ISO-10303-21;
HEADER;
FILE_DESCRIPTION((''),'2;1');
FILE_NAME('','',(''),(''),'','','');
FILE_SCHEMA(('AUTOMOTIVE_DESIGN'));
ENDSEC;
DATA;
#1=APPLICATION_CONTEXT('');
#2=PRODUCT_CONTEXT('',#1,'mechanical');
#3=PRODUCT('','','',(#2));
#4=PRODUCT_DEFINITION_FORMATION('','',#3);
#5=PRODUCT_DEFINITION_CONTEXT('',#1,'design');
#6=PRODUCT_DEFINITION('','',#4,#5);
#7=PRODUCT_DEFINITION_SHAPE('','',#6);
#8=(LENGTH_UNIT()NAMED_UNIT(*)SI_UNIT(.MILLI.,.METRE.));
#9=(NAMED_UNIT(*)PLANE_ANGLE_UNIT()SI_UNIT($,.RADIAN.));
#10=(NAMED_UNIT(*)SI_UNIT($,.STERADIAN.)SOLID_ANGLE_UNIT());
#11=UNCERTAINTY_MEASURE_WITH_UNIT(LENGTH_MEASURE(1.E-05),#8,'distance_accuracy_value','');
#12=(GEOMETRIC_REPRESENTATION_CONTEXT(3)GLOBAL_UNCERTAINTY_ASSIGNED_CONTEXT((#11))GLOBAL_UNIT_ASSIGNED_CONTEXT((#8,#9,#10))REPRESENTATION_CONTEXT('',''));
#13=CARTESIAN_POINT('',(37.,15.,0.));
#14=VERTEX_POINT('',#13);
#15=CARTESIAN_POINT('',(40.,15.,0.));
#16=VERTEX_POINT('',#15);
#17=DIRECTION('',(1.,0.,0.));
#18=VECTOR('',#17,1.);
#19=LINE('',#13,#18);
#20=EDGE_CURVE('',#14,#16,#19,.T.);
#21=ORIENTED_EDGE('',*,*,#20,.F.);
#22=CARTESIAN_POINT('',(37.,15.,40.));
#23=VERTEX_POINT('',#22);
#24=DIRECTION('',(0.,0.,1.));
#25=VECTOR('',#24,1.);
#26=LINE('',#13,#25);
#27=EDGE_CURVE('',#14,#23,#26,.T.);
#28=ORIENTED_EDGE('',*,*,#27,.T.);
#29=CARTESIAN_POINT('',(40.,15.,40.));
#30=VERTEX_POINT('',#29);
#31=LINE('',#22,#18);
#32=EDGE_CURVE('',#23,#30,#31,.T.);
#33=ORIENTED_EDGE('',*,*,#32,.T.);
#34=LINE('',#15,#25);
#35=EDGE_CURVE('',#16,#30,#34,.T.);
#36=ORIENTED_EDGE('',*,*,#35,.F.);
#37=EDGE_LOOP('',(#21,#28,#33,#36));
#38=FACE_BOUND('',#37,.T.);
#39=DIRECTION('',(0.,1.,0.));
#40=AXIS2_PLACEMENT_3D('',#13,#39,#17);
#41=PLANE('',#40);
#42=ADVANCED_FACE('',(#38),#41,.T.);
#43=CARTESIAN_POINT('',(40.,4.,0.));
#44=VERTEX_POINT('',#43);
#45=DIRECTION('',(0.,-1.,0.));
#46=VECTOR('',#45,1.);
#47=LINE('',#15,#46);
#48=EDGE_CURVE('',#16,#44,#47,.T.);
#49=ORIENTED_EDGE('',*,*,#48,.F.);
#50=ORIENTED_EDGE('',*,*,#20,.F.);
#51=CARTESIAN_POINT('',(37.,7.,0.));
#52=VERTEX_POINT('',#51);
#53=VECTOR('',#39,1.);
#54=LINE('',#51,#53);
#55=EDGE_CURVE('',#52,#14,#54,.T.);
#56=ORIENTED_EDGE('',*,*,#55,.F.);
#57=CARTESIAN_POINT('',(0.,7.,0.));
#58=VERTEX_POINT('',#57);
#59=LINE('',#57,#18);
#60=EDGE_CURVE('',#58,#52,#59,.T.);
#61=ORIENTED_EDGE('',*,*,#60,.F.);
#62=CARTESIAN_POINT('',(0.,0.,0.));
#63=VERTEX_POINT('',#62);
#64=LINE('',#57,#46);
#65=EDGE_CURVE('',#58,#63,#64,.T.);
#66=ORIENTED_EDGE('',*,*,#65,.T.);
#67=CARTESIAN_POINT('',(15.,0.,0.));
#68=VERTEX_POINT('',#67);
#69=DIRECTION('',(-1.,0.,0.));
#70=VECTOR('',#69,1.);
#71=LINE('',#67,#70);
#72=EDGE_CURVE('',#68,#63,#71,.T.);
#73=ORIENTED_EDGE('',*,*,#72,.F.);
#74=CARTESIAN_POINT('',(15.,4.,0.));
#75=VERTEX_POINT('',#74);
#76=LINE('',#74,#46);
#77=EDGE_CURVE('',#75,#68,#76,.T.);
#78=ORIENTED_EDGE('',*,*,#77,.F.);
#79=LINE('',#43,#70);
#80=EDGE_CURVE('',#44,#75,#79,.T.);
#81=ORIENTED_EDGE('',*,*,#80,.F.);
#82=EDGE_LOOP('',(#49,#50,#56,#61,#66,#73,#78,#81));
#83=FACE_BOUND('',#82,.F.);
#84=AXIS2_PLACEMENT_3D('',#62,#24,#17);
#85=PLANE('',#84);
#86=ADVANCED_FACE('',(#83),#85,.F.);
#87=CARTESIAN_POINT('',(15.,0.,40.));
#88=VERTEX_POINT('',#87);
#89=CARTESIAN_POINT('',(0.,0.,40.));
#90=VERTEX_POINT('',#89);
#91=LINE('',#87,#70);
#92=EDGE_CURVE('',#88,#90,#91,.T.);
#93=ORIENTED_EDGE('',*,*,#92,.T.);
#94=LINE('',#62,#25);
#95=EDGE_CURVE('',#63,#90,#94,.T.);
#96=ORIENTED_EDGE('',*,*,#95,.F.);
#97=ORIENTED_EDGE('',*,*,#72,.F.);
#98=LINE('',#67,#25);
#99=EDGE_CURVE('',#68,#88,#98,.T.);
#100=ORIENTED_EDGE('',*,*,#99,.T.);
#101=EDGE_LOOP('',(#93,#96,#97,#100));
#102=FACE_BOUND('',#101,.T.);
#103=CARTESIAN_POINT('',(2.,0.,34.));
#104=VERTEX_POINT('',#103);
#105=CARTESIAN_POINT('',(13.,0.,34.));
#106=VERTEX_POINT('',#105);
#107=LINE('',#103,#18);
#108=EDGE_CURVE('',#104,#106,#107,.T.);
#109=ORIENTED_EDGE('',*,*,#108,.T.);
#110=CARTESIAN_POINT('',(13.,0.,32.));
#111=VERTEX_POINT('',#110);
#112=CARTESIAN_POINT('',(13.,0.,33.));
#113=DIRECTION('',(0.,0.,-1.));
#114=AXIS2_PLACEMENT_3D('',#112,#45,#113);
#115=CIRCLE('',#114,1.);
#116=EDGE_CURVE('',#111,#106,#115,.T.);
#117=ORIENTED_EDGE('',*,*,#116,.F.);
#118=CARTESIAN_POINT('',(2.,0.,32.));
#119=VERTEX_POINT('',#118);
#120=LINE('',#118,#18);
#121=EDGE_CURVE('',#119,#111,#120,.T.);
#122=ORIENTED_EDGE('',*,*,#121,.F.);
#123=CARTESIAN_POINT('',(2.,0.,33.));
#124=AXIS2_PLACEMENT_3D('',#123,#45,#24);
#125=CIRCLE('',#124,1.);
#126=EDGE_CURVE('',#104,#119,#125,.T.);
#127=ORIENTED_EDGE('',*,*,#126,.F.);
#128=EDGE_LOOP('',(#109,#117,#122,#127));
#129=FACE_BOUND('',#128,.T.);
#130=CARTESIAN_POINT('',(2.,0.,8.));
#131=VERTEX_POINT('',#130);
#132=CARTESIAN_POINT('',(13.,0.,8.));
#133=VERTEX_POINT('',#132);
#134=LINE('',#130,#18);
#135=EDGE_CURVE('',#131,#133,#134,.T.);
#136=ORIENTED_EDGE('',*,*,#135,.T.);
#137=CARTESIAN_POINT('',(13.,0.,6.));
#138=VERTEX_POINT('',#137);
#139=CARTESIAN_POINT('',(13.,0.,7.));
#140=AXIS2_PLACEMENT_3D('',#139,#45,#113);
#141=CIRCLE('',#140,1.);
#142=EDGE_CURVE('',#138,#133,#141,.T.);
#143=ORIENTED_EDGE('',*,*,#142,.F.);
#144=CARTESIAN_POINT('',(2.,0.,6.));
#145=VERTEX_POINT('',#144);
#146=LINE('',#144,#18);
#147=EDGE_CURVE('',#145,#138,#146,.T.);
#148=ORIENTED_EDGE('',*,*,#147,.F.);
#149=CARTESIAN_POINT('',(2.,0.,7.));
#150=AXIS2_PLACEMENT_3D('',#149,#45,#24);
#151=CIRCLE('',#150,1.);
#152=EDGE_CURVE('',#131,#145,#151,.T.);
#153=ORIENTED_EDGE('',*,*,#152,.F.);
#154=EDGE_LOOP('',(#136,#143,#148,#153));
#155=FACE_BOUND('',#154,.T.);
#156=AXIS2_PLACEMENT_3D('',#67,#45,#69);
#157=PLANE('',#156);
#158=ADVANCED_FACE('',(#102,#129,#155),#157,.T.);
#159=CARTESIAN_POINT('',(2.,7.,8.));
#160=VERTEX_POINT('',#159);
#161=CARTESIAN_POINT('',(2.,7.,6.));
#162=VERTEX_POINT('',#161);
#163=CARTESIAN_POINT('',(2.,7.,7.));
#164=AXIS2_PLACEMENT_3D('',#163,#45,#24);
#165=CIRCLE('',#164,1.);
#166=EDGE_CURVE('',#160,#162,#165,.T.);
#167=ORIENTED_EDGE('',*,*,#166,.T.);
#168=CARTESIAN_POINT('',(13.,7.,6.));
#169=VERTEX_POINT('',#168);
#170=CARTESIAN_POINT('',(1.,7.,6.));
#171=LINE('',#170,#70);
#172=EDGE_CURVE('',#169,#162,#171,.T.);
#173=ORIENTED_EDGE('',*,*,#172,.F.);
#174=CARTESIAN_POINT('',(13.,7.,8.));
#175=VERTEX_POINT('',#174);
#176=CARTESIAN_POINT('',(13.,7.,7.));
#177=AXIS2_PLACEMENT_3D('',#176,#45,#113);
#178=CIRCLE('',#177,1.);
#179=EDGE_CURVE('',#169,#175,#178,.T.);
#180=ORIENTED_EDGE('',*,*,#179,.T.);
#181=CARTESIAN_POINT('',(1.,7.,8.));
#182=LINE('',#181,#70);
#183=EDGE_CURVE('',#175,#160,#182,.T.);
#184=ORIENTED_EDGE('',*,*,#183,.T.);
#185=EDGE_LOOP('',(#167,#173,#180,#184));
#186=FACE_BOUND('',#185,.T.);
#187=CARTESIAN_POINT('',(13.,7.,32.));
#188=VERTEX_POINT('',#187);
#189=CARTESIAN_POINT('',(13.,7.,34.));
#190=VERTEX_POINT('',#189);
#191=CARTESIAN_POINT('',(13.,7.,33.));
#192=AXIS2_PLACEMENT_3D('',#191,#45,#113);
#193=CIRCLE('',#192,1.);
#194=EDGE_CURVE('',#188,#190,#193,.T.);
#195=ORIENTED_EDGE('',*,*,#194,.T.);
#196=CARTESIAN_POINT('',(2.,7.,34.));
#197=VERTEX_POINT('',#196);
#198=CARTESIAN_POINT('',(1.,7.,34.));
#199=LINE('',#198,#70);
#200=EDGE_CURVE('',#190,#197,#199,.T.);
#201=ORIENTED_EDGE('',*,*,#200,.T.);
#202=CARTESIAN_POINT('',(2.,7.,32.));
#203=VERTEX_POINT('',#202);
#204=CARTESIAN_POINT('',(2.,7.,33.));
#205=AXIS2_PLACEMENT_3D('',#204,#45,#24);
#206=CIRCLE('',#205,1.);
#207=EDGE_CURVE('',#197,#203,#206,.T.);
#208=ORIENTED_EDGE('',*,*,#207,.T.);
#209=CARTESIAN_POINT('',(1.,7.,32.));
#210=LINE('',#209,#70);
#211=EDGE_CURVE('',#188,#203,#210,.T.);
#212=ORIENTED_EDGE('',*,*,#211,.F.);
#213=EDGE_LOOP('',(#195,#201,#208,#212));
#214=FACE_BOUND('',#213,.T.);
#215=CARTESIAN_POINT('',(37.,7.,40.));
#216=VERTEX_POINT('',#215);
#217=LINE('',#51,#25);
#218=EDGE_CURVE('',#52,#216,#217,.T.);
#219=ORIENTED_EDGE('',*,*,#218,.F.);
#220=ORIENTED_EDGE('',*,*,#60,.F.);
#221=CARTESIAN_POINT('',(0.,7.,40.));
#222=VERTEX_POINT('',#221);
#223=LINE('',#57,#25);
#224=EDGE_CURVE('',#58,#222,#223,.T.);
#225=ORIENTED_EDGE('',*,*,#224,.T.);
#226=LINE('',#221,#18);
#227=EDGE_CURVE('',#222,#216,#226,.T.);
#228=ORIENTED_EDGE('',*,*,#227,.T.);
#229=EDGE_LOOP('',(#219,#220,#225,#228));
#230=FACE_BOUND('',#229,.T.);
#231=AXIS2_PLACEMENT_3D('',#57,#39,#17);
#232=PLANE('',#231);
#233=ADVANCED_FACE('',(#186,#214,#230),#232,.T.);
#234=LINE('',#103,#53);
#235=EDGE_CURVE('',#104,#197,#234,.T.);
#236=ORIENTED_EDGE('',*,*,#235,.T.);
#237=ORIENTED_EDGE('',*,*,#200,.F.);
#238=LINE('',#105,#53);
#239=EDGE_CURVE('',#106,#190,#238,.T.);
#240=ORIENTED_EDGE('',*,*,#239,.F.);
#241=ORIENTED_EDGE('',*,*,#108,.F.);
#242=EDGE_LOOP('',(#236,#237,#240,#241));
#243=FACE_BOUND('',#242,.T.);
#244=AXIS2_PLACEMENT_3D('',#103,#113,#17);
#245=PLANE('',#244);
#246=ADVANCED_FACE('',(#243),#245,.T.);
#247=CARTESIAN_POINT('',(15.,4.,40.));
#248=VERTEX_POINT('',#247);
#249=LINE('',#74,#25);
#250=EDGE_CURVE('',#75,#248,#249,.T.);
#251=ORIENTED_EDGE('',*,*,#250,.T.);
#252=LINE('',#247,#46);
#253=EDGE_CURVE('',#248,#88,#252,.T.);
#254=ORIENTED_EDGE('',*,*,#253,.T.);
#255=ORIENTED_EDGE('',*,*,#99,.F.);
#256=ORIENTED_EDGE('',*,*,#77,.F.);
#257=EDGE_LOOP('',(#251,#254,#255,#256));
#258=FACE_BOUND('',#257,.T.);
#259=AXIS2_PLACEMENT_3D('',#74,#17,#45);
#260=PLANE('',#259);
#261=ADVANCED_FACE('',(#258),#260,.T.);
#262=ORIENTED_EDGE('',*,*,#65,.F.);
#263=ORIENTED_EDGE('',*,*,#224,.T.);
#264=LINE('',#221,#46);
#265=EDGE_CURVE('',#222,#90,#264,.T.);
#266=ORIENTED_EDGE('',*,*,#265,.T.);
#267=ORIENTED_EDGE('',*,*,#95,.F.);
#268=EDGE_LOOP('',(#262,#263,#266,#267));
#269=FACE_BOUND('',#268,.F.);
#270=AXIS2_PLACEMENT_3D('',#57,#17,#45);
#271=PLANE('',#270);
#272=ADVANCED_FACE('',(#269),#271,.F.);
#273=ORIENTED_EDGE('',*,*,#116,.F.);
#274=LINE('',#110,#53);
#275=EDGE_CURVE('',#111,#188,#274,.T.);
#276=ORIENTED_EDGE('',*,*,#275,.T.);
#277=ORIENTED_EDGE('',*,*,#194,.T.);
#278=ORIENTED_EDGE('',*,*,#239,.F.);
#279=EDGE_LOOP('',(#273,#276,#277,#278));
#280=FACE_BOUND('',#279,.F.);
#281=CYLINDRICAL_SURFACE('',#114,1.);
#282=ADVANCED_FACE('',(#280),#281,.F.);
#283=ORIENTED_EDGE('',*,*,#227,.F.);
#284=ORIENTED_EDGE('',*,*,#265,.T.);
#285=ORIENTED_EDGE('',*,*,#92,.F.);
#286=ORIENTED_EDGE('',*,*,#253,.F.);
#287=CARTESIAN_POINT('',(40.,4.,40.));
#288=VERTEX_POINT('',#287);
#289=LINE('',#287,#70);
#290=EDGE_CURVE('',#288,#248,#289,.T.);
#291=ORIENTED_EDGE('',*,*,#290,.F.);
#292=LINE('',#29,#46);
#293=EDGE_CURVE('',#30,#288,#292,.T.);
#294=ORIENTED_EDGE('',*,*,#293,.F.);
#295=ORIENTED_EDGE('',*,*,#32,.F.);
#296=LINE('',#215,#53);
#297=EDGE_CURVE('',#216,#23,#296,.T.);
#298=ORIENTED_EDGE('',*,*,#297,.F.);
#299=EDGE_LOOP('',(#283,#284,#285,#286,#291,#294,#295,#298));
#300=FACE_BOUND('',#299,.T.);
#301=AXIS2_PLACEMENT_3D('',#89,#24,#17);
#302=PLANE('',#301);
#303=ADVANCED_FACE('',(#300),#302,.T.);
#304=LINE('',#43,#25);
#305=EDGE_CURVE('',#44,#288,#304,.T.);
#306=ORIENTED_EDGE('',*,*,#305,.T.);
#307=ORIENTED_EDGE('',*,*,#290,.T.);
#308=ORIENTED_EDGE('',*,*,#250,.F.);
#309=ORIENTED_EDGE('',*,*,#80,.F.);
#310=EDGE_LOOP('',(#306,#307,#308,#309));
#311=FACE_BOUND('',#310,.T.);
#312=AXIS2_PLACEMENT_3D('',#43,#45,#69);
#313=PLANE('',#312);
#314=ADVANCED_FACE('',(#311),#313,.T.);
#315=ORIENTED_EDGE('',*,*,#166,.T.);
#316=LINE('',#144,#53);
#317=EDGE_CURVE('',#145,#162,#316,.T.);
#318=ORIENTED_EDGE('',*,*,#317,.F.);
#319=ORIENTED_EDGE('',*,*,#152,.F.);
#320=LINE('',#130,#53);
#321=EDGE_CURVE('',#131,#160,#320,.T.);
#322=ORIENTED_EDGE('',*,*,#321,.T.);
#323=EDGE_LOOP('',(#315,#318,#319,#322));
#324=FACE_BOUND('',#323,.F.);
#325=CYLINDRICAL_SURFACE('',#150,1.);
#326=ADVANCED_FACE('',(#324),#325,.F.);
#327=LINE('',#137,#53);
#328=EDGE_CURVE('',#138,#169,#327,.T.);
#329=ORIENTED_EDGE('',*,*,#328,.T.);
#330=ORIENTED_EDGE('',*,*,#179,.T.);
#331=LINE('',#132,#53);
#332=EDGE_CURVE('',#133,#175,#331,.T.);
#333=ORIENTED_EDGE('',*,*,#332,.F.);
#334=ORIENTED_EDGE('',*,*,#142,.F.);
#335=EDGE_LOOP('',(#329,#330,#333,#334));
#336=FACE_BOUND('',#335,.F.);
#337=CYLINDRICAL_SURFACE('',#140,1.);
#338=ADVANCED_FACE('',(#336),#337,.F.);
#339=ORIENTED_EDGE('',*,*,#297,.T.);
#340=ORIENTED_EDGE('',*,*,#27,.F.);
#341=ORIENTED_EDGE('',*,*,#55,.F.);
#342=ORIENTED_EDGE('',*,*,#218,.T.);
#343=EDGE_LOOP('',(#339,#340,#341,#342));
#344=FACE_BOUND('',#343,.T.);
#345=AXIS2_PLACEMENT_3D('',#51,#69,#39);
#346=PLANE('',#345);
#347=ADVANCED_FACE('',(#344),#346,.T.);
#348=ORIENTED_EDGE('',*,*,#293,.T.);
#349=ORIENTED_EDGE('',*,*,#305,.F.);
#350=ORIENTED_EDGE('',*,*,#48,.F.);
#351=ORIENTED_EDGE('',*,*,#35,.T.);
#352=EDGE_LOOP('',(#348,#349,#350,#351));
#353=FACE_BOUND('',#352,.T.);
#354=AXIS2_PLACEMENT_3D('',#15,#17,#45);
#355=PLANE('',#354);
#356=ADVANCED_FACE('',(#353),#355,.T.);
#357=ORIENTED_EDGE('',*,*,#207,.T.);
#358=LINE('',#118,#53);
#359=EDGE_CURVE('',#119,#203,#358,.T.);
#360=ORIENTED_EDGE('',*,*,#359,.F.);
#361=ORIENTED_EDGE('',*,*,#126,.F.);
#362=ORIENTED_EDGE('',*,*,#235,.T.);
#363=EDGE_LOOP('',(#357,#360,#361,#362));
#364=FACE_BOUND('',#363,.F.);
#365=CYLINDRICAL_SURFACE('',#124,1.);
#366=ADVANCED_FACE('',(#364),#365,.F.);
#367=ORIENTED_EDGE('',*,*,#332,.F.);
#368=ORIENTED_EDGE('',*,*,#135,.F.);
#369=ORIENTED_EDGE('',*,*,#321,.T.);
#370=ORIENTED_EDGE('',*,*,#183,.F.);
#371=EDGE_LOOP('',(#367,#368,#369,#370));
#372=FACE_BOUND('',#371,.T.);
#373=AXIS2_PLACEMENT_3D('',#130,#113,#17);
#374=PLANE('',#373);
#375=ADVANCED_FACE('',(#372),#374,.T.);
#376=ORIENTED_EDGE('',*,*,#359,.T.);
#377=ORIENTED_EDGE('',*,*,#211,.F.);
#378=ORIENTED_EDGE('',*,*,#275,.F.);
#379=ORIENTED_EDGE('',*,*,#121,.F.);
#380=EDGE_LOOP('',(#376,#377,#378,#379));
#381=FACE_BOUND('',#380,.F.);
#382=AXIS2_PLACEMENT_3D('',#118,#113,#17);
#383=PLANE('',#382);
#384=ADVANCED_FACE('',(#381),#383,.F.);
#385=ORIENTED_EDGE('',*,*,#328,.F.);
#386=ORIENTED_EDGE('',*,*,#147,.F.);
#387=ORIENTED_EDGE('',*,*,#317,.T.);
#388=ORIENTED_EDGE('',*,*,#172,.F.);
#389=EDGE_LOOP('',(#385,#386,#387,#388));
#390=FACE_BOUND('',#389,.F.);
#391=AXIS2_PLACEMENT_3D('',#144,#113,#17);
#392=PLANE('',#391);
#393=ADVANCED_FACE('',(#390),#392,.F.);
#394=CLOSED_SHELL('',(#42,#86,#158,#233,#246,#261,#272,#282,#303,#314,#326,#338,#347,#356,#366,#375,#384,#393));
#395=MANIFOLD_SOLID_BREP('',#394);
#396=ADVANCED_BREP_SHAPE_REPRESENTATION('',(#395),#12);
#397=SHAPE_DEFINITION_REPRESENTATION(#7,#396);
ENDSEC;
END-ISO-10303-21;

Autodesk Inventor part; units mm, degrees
ref_plane "YZ Plane" through (0, 0, 0) normal (1, 0, 0) x (0, 1, 0)
ref_plane "XZ Plane" through (0, 0, 0) normal (0, 1, 0) x (-1, 0, 0)
ref_plane "XY Plane" through (0, 0, 0) normal (0, 0, 1) x (1, 0, 0)
sketch "Sketch1" plane through (0, 0, 0) normal (0, 0, 1) x (1, 0, 0)
  line L0 (0, 0) -> (0, 15) construction
  line L1 (0, 15) -> (40, 15) construction
  line L2 (40, 15) -> (40, 4)
  line L3 (40, 4) -> (15, 4)
  line L4 (15, 4) -> (15, 0)
  line L5 (15, 0) -> (0, 0)
  line L6 (0, 7) -> (37, 7)
  line L7 (37, 7) -> (37, 15)
  line L8 (37, 15) -> (40, 15)
  line L9 (0, 7) -> (0, 0)
  dimension "d0" = 4
  dimension "d1" = 15
  dimension "d2" = 15
  dimension "d5" = 3
  dimension "d6" = 3
  dimension "d12" = 40
extrude "Extrusion1" add sketch "Sketch1" along normal blind 40
sketch "Sketch2" plane through (0, 0, 0) normal (0, -1, 0) x (1, 0, 0)
  line L0 (0, 0) -> (0, 40) projected
  line L1 (15, 0) -> (15, 40) projected
  line L2 (0, 20) -> (15, 20) construction
  line L3 (0, 33) -> (15, 33) construction
  arc A0 (2, 34) -> (2, 32) centre (2, 33) ccw
  arc A1 (13, 32) -> (13, 34) centre (13, 33) ccw
  line L4 (2, 34) -> (13, 34)
  line L5 (2, 32) -> (13, 32)
  line L6 (0, 7) -> (15, 7) construction
  arc A2 (2, 8) -> (2, 6) centre (2, 7) ccw
  arc A3 (13, 6) -> (13, 8) centre (13, 7) ccw
  line L7 (2, 6) -> (13, 6)
  line L8 (2, 8) -> (13, 8)
  dimension "d7" = 2
  dimension "d8" = 2
  dimension "d9" = 2
  dimension "d13" = 13
extrude "Extrusion2" cut sketch "Sketch2" against normal blind 30
properties part number "Guide"
